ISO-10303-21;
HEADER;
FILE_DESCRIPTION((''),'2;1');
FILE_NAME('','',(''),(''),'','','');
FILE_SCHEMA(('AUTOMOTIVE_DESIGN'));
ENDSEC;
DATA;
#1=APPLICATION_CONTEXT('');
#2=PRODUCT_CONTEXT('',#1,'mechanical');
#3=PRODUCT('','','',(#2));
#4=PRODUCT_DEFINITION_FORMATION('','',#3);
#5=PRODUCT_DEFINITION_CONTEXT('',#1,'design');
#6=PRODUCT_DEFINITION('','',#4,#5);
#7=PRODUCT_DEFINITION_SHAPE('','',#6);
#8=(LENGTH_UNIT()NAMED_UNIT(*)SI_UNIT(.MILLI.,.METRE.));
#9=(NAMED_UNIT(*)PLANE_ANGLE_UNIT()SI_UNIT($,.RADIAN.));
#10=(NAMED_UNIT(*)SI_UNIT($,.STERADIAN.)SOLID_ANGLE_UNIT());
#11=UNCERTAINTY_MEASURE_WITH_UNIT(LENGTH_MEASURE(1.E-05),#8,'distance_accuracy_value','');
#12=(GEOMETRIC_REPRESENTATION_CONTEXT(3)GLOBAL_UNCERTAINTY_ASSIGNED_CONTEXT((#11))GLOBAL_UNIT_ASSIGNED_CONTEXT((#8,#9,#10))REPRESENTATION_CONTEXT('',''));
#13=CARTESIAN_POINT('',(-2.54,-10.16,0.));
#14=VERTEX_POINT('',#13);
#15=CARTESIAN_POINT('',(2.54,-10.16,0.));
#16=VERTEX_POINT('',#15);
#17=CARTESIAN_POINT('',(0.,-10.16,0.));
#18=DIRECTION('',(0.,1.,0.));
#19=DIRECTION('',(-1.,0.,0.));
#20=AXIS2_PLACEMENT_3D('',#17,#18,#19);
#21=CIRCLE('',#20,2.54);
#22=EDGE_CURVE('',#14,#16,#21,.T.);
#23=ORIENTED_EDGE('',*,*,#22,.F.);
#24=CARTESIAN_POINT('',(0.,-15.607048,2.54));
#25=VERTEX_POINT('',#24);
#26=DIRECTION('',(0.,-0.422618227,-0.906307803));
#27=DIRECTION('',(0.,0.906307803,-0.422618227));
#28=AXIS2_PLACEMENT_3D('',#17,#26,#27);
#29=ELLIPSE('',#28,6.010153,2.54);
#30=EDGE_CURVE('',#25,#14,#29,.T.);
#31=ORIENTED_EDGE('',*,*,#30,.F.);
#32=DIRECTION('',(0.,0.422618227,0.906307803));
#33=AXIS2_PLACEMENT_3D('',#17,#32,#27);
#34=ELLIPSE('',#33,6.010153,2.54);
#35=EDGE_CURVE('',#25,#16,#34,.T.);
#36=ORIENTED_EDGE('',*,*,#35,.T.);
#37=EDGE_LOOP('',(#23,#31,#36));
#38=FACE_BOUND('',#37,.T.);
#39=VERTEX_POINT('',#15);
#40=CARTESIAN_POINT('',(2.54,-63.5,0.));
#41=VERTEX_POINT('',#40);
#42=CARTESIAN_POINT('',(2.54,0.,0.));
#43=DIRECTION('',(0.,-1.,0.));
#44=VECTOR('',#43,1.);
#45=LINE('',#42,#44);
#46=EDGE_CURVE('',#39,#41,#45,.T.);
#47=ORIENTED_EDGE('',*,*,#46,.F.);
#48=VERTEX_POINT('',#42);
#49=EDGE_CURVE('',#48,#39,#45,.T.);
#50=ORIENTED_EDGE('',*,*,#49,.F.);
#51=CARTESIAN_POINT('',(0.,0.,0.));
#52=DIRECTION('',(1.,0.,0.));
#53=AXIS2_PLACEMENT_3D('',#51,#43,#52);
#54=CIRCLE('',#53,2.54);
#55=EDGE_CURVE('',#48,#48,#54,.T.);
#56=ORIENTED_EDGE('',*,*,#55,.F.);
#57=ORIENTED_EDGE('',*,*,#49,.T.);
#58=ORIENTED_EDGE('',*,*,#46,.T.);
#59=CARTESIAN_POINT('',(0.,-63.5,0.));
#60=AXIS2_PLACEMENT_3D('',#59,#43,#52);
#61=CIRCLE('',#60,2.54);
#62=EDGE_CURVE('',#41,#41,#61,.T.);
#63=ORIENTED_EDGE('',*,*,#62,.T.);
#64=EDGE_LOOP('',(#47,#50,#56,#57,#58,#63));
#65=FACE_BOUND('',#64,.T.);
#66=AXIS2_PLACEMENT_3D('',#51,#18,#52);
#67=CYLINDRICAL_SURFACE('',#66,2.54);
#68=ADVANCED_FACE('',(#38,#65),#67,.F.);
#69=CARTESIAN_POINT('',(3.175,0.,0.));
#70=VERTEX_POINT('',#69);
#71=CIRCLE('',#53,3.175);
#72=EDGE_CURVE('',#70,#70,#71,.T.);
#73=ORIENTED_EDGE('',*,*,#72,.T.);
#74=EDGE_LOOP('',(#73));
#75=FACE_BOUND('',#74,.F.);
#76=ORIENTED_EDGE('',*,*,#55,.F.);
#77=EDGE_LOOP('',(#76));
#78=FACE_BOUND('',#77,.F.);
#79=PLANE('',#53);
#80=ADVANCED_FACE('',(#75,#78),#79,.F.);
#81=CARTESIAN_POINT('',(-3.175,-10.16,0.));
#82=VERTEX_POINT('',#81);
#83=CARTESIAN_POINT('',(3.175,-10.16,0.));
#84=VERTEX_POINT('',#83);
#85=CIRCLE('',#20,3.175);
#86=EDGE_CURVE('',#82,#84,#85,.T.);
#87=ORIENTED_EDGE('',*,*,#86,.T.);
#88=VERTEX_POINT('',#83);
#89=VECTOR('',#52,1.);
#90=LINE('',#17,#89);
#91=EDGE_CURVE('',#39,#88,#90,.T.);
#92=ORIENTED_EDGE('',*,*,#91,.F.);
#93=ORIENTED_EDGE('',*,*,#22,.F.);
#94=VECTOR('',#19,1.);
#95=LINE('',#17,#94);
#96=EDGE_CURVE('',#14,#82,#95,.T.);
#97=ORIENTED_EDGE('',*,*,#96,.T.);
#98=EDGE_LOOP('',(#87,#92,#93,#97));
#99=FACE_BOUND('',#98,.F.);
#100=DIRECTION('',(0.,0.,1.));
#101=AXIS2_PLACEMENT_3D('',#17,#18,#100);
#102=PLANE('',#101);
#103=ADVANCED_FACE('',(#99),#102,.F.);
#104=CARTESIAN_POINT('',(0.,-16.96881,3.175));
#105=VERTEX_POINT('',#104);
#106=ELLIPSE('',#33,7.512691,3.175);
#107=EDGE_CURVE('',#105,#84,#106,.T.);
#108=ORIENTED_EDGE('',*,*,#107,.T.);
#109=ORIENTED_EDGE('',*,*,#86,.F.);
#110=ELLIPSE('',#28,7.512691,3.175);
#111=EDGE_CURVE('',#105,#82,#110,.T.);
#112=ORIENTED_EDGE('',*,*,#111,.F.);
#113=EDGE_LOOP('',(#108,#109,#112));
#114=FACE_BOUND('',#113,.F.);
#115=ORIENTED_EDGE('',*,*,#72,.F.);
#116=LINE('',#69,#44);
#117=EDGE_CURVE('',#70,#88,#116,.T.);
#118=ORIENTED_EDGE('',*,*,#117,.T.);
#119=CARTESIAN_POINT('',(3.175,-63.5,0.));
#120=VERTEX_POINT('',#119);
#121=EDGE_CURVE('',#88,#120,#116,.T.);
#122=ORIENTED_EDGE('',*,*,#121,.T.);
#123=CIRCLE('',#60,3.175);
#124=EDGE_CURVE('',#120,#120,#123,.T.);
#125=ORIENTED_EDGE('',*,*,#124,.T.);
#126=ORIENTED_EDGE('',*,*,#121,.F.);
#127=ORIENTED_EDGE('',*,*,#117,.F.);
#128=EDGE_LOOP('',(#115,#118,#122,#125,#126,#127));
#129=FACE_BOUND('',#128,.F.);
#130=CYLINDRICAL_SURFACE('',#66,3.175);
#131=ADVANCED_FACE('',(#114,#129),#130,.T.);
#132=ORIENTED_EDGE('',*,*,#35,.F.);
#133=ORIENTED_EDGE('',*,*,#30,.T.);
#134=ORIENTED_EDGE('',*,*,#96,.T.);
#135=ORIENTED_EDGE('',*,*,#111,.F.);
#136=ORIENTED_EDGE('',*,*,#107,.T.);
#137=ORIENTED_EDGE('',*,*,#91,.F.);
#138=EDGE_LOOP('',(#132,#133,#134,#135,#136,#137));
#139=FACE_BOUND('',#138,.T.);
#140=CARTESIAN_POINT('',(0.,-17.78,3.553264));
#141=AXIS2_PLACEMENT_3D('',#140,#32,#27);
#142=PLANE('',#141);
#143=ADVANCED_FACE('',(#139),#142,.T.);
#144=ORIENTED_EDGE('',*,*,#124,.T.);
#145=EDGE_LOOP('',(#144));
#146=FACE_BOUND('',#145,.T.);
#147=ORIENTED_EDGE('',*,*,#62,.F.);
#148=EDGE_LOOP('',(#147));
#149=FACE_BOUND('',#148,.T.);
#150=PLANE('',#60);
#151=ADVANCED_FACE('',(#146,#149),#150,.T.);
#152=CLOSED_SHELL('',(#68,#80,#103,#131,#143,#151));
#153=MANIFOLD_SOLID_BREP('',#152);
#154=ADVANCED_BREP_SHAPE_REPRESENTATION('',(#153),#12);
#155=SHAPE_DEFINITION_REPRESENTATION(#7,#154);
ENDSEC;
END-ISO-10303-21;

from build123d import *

# Parameters (mm, degrees)
F0_R          = 3.175
F0_R_2        = 2.54
F1_DEPTH      = 63.5
F3_DEPTH      = 3.176
F3_DEPTH_BACK = 50.8


with BuildPart() as f1:
    # F0 (on Front) → F1 (new body)
    with BuildSketch(Plane.XZ):
        Circle(F0_R)
        Circle(F0_R_2, mode=Mode.SUBTRACT)
    extrude(amount=F1_DEPTH)

    # F2 (on Right) → F3 (cut, two sides)
    with BuildSketch(Plane.YZ) as f3_sk:
        Polygon((-17.78, 3.553264), (-10.16, 0), (-10.16, 3.553264), align=None)
    extrude(amount=F3_DEPTH, mode=Mode.SUBTRACT)
    extrude(f3_sk.sketch, amount=-F3_DEPTH_BACK, mode=Mode.SUBTRACT)


solid = f1.part
